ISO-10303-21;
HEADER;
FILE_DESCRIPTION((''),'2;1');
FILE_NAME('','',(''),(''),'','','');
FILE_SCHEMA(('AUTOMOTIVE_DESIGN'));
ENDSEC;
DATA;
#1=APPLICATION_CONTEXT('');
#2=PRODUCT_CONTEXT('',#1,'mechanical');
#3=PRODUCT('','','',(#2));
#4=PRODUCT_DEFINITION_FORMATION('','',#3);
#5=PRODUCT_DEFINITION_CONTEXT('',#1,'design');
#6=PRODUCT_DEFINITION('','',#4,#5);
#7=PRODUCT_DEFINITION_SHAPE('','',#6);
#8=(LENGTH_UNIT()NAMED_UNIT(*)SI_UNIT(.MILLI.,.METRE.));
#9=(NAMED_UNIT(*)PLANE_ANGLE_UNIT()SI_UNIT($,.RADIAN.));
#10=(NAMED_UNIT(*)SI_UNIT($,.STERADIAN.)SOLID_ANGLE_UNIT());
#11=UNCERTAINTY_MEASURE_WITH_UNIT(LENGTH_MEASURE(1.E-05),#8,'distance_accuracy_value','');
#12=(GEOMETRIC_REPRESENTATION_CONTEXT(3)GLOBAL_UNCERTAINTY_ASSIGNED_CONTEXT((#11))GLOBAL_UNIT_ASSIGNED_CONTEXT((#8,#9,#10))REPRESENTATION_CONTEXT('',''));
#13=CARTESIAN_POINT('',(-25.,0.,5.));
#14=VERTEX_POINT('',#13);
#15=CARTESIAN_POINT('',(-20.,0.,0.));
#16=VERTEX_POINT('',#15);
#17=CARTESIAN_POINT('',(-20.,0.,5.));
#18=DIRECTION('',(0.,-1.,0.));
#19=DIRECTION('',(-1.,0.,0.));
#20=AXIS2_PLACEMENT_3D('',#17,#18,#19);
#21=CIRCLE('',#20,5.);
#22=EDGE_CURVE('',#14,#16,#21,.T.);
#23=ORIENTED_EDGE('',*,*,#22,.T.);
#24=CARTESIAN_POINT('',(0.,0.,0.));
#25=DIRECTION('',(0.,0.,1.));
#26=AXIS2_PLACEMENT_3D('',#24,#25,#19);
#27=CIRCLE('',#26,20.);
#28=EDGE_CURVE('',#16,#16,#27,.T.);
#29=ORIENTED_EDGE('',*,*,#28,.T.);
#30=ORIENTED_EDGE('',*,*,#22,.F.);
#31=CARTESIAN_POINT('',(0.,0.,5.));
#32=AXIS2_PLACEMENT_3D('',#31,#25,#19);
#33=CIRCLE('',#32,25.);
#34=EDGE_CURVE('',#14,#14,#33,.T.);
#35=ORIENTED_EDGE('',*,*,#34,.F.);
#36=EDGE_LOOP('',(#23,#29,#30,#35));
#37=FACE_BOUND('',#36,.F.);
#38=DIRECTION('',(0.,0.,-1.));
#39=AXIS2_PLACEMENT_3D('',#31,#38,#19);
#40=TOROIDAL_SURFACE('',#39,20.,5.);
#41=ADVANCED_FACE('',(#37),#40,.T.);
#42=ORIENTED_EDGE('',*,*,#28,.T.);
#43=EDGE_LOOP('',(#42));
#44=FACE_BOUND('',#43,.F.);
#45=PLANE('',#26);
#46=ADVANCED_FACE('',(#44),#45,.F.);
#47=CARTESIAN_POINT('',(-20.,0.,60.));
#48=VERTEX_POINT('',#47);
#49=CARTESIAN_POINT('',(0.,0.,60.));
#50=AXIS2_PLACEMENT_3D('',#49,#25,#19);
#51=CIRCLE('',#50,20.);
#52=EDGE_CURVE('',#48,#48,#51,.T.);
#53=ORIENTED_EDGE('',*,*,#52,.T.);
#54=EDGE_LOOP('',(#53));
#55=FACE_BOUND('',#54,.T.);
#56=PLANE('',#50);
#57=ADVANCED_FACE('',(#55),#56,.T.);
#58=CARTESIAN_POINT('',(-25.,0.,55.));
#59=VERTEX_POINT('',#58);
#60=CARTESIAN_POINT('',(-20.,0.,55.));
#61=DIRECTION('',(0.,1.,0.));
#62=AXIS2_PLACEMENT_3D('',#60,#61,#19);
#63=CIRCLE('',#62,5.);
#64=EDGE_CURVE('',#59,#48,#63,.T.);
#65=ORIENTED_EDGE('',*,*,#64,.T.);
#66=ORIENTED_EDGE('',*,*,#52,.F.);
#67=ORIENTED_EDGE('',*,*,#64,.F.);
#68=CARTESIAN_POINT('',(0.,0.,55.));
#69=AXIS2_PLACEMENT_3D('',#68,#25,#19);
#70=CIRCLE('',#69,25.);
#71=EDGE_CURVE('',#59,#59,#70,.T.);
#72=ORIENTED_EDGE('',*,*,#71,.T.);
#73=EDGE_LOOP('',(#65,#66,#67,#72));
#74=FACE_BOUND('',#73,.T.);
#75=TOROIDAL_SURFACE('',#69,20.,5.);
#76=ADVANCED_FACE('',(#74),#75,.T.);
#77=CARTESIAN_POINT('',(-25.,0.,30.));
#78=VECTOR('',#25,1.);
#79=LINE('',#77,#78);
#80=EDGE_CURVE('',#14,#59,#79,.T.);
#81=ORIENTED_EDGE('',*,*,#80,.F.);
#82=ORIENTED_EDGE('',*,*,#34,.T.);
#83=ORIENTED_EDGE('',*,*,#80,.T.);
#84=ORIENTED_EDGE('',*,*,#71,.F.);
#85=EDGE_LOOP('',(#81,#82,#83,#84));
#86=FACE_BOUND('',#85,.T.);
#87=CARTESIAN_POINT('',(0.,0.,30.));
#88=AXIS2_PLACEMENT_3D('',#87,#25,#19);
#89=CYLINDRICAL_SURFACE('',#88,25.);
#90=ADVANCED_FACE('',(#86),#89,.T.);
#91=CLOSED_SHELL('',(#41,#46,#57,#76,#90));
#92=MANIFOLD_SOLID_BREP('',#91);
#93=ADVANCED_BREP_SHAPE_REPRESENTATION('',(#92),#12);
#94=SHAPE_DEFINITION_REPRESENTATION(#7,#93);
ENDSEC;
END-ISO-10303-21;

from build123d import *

# Parameters (mm, degrees)
F0_W = 25
F0_H = 60
F2_R = 5


with BuildPart() as f1:
    # F0 (on Front) → F1 (revolve)
    with BuildSketch(Plane.XZ):
        with Locations((-12.5, 30)):
            Rectangle(F0_W, F0_H)
    revolve(axis=Axis((0, 0, 30), (0, 0, 1)))

    # F2
    f2_edges = [f1.edges().sort_by_distance(p)[0] for p in [
        (25, 0, 60),
        (25, 0, 0),
    ]]
    fillet(f2_edges, radius=F2_R)


solid = f1.part
